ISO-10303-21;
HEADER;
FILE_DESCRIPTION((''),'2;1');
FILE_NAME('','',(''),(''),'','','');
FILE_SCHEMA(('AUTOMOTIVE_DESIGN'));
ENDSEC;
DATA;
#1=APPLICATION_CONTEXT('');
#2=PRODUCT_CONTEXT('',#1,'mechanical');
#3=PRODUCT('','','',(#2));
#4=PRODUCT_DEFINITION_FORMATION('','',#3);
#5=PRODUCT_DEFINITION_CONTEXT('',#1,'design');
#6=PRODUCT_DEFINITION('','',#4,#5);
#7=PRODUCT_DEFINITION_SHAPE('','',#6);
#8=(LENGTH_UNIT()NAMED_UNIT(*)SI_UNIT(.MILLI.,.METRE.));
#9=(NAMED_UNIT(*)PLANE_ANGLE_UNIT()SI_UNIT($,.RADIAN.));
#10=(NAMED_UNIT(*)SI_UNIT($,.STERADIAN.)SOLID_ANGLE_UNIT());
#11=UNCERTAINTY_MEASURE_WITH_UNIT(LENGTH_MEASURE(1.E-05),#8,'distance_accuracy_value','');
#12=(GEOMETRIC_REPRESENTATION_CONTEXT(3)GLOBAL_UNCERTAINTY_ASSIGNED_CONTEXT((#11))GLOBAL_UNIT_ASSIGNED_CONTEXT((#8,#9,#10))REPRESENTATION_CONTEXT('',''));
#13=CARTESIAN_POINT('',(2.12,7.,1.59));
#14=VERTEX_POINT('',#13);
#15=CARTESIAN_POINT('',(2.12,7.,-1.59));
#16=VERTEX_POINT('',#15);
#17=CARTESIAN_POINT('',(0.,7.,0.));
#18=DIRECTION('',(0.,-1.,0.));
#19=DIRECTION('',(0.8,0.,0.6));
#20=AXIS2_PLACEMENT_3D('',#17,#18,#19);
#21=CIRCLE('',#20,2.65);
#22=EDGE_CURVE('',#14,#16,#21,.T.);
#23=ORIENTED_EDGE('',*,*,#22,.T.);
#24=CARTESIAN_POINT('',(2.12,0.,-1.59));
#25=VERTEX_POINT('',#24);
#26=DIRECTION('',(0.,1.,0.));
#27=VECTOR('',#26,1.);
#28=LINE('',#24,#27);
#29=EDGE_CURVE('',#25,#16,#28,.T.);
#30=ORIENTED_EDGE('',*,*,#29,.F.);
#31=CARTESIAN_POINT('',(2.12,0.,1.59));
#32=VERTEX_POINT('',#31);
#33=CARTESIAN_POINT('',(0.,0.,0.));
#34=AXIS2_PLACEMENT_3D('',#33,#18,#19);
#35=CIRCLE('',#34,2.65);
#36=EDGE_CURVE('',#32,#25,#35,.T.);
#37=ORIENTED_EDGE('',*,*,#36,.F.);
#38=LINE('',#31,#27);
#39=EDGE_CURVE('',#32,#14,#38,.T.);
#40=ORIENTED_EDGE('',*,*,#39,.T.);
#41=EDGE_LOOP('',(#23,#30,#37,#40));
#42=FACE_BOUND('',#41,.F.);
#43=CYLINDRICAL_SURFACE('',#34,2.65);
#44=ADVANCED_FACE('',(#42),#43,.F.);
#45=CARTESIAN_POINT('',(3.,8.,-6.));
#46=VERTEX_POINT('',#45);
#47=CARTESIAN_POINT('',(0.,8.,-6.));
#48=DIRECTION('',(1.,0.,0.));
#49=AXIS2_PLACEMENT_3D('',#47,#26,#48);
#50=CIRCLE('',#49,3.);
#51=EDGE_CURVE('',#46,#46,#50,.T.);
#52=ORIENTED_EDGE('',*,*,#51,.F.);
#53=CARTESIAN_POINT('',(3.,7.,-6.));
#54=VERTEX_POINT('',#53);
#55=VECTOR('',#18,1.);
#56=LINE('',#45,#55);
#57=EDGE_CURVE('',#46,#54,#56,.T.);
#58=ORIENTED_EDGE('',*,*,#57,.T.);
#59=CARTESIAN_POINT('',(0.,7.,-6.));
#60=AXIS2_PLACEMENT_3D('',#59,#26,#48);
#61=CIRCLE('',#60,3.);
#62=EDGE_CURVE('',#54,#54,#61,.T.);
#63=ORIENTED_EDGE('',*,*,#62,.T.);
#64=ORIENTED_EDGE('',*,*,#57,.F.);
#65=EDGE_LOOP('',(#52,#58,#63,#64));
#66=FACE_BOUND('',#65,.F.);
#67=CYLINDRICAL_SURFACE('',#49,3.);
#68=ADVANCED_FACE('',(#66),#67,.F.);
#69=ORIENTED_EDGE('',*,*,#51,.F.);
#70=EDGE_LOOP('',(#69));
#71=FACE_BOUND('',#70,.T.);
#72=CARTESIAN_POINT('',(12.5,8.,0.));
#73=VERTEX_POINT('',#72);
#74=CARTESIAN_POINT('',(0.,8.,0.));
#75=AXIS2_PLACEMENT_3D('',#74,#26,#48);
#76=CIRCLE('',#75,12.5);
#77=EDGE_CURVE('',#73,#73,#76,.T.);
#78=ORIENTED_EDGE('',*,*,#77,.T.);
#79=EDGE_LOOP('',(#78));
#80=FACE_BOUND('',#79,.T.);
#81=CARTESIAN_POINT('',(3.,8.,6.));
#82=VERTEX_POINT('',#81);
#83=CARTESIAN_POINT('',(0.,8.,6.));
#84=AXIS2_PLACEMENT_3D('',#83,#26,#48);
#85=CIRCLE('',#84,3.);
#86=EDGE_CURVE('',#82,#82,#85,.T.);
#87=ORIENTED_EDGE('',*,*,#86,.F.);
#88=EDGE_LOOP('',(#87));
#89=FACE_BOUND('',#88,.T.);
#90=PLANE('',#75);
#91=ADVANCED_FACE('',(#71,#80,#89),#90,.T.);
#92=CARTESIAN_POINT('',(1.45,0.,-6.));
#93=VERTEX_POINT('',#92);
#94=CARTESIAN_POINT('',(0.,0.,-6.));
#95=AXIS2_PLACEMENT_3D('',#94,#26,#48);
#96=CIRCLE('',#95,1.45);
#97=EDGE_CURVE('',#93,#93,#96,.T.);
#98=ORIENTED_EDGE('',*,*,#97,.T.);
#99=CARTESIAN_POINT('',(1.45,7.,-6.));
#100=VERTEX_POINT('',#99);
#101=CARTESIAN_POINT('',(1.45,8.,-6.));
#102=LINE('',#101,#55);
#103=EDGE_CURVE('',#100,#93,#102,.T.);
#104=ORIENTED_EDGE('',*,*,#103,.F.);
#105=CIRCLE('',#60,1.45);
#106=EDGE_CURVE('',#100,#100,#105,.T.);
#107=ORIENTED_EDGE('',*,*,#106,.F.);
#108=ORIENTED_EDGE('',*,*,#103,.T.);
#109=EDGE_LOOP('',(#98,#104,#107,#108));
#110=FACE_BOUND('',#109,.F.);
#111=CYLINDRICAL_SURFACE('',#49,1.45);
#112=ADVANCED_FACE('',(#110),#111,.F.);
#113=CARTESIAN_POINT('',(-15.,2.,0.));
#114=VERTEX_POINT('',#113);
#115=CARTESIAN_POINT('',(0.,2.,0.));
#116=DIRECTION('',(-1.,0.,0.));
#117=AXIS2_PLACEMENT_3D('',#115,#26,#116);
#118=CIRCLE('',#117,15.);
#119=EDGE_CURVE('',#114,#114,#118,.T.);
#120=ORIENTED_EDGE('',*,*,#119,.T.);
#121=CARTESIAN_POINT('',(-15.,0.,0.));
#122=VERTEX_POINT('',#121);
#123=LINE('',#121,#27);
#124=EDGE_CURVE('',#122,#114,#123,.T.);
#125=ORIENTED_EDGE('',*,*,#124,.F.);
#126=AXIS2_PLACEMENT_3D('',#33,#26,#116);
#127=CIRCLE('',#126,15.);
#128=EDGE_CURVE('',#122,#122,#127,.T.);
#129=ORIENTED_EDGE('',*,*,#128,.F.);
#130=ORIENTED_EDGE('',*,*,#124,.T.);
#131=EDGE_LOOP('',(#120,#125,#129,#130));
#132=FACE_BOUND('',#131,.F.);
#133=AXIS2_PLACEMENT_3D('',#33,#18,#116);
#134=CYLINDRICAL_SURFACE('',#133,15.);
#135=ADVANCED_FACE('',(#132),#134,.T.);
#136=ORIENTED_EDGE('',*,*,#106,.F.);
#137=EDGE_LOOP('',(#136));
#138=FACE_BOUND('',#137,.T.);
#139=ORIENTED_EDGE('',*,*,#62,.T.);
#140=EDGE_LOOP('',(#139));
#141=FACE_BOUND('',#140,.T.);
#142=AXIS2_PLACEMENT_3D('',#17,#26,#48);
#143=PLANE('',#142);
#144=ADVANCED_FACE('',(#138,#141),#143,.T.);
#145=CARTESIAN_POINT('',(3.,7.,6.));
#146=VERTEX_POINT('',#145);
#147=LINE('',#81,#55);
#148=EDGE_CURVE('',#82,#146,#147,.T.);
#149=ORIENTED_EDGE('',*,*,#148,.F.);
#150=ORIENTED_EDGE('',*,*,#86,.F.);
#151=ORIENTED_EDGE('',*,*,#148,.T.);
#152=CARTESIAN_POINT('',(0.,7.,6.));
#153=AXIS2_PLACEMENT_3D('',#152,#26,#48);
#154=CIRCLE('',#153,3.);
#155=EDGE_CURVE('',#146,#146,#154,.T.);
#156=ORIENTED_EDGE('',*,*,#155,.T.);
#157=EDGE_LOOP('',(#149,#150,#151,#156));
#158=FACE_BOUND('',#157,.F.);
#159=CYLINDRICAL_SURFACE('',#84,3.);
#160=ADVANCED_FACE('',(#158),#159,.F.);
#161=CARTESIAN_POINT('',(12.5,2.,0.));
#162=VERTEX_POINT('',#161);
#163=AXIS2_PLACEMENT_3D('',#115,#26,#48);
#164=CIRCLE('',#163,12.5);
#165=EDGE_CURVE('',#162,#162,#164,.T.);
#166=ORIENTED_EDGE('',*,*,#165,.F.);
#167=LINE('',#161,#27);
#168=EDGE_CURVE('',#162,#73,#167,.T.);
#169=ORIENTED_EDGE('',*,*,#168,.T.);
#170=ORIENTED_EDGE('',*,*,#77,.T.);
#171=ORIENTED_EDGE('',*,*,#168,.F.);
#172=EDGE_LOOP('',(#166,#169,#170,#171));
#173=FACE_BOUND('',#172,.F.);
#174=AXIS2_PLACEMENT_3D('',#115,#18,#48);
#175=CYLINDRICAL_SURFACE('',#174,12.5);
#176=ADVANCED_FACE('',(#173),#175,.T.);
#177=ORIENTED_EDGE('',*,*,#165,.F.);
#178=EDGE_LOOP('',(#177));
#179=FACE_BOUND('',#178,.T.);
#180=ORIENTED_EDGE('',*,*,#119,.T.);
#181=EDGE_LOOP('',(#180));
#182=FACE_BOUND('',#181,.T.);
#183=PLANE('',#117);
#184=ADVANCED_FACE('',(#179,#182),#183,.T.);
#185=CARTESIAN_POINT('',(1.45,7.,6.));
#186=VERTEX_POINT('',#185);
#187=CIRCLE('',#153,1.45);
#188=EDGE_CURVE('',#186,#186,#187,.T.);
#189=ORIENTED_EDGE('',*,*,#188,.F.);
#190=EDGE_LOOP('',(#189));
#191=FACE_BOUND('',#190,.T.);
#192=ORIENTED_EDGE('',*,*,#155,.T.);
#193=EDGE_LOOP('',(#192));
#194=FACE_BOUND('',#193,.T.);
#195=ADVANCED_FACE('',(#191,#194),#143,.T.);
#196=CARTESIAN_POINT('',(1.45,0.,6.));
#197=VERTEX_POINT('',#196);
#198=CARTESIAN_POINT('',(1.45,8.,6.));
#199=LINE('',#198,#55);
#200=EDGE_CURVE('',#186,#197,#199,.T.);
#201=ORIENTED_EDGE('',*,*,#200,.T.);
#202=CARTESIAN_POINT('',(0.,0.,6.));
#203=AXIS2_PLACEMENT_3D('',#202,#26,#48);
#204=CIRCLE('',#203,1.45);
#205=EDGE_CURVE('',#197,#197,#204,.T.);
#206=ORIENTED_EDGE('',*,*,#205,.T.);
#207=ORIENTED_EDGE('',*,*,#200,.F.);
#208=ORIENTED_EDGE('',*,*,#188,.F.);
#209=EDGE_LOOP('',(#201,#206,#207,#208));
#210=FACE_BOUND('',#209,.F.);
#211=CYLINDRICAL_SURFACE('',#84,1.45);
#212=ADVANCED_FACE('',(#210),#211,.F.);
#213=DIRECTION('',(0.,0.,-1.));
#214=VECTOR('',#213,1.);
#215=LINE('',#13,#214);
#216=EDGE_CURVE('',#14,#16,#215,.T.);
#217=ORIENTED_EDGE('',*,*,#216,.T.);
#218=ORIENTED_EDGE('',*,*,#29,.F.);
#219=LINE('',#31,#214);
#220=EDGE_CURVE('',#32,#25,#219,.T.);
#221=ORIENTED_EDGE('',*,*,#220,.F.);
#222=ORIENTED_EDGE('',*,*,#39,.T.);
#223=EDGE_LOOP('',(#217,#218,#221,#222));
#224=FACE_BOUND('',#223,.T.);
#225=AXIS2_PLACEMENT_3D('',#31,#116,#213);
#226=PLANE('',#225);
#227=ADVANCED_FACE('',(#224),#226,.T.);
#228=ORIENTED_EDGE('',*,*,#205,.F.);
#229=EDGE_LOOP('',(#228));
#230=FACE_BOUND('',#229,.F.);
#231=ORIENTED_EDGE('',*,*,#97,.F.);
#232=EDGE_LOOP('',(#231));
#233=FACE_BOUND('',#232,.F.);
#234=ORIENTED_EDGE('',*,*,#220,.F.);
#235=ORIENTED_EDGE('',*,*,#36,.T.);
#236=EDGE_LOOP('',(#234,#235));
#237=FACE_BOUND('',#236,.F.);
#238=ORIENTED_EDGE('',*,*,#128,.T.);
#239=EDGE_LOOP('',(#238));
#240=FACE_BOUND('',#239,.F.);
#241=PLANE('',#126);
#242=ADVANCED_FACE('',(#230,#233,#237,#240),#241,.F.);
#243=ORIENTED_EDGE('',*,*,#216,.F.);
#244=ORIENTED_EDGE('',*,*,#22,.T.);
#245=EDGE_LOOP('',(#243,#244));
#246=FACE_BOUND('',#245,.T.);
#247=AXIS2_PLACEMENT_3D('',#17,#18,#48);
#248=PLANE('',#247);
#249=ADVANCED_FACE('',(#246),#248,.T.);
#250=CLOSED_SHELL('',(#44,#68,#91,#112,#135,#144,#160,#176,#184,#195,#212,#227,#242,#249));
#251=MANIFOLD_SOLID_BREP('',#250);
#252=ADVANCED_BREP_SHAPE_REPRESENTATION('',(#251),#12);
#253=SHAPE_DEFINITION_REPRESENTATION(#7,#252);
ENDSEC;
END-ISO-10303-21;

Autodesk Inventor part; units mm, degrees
ref_plane "YZ Plane" through (0, 0, 0) normal (1, 0, 0) x (0, 1, 0)
ref_plane "XZ Plane" through (0, 0, 0) normal (0, 1, 0) x (-1, 0, 0)
ref_plane "XY Plane" through (0, 0, 0) normal (0, 0, 1) x (1, 0, 0)
sketch "Szkic1" plane through (0, 0, 0) normal (0, 1, 0) x (-1, 0, 0)
  circle A0 centre (0, 0) radius 15
  dimension "d0" = 30
extrude "Wyciągnięcie proste1" add sketch "Szkic1" along normal blind 2
sketch "Szkic2" plane through (0, 2, 0) normal (0, 1, 0) x (1, 0, 0)
  circle A0 centre (0, 0) radius 12.5
  dimension "d3" = 25
extrude "Wyciągnięcie proste2" add sketch "Szkic2" along normal blind 6
sketch "Szkic3" plane through (0, 8, 0) normal (0, 1, 0) x (1, 0, 0)
  circle A0 centre (0, -6) radius 1.45
  circle A1 centre (0, 6) radius 1.45
  point P0 (0, 0)
  dimension "d6" = 2.9
  dimension "d7" = 2.9
extrude "Wyciągnięcie proste3" cut sketch "Szkic3" against normal blind 8
sketch "Szkic4" plane through (0, 0, 0) normal (0, -1, 0) x (1, 0, 0)
  arc A0 (2.12, 1.59) -> (2.12, -1.59) centre (0, 0) ccw
  line L0 (2.12, 1.59) -> (2.12, -1.59)
  dimension "d10" = 5.3
  dimension "d11" = 2.12
extrude "Wyciągnięcie proste4" cut sketch "Szkic4" against normal blind 7
sketch "Szkic5" plane through (0, 8, 0) normal (0, 1, 0) x (1, 0, 0)
  circle A0 centre (0, -6) radius 1.45 projected
  circle A1 centre (0, -6) radius 3
  circle A2 centre (0, 6) radius 1.45 projected
  circle A3 centre (0, 6) radius 3
  point P0 (0, 0)
  dimension "d14" = 6
  dimension "d15" = 6
extrude "Wyciągnięcie proste5" cut sketch "Szkic5" against normal blind 1
properties part number "_Drukowanie 3D"
